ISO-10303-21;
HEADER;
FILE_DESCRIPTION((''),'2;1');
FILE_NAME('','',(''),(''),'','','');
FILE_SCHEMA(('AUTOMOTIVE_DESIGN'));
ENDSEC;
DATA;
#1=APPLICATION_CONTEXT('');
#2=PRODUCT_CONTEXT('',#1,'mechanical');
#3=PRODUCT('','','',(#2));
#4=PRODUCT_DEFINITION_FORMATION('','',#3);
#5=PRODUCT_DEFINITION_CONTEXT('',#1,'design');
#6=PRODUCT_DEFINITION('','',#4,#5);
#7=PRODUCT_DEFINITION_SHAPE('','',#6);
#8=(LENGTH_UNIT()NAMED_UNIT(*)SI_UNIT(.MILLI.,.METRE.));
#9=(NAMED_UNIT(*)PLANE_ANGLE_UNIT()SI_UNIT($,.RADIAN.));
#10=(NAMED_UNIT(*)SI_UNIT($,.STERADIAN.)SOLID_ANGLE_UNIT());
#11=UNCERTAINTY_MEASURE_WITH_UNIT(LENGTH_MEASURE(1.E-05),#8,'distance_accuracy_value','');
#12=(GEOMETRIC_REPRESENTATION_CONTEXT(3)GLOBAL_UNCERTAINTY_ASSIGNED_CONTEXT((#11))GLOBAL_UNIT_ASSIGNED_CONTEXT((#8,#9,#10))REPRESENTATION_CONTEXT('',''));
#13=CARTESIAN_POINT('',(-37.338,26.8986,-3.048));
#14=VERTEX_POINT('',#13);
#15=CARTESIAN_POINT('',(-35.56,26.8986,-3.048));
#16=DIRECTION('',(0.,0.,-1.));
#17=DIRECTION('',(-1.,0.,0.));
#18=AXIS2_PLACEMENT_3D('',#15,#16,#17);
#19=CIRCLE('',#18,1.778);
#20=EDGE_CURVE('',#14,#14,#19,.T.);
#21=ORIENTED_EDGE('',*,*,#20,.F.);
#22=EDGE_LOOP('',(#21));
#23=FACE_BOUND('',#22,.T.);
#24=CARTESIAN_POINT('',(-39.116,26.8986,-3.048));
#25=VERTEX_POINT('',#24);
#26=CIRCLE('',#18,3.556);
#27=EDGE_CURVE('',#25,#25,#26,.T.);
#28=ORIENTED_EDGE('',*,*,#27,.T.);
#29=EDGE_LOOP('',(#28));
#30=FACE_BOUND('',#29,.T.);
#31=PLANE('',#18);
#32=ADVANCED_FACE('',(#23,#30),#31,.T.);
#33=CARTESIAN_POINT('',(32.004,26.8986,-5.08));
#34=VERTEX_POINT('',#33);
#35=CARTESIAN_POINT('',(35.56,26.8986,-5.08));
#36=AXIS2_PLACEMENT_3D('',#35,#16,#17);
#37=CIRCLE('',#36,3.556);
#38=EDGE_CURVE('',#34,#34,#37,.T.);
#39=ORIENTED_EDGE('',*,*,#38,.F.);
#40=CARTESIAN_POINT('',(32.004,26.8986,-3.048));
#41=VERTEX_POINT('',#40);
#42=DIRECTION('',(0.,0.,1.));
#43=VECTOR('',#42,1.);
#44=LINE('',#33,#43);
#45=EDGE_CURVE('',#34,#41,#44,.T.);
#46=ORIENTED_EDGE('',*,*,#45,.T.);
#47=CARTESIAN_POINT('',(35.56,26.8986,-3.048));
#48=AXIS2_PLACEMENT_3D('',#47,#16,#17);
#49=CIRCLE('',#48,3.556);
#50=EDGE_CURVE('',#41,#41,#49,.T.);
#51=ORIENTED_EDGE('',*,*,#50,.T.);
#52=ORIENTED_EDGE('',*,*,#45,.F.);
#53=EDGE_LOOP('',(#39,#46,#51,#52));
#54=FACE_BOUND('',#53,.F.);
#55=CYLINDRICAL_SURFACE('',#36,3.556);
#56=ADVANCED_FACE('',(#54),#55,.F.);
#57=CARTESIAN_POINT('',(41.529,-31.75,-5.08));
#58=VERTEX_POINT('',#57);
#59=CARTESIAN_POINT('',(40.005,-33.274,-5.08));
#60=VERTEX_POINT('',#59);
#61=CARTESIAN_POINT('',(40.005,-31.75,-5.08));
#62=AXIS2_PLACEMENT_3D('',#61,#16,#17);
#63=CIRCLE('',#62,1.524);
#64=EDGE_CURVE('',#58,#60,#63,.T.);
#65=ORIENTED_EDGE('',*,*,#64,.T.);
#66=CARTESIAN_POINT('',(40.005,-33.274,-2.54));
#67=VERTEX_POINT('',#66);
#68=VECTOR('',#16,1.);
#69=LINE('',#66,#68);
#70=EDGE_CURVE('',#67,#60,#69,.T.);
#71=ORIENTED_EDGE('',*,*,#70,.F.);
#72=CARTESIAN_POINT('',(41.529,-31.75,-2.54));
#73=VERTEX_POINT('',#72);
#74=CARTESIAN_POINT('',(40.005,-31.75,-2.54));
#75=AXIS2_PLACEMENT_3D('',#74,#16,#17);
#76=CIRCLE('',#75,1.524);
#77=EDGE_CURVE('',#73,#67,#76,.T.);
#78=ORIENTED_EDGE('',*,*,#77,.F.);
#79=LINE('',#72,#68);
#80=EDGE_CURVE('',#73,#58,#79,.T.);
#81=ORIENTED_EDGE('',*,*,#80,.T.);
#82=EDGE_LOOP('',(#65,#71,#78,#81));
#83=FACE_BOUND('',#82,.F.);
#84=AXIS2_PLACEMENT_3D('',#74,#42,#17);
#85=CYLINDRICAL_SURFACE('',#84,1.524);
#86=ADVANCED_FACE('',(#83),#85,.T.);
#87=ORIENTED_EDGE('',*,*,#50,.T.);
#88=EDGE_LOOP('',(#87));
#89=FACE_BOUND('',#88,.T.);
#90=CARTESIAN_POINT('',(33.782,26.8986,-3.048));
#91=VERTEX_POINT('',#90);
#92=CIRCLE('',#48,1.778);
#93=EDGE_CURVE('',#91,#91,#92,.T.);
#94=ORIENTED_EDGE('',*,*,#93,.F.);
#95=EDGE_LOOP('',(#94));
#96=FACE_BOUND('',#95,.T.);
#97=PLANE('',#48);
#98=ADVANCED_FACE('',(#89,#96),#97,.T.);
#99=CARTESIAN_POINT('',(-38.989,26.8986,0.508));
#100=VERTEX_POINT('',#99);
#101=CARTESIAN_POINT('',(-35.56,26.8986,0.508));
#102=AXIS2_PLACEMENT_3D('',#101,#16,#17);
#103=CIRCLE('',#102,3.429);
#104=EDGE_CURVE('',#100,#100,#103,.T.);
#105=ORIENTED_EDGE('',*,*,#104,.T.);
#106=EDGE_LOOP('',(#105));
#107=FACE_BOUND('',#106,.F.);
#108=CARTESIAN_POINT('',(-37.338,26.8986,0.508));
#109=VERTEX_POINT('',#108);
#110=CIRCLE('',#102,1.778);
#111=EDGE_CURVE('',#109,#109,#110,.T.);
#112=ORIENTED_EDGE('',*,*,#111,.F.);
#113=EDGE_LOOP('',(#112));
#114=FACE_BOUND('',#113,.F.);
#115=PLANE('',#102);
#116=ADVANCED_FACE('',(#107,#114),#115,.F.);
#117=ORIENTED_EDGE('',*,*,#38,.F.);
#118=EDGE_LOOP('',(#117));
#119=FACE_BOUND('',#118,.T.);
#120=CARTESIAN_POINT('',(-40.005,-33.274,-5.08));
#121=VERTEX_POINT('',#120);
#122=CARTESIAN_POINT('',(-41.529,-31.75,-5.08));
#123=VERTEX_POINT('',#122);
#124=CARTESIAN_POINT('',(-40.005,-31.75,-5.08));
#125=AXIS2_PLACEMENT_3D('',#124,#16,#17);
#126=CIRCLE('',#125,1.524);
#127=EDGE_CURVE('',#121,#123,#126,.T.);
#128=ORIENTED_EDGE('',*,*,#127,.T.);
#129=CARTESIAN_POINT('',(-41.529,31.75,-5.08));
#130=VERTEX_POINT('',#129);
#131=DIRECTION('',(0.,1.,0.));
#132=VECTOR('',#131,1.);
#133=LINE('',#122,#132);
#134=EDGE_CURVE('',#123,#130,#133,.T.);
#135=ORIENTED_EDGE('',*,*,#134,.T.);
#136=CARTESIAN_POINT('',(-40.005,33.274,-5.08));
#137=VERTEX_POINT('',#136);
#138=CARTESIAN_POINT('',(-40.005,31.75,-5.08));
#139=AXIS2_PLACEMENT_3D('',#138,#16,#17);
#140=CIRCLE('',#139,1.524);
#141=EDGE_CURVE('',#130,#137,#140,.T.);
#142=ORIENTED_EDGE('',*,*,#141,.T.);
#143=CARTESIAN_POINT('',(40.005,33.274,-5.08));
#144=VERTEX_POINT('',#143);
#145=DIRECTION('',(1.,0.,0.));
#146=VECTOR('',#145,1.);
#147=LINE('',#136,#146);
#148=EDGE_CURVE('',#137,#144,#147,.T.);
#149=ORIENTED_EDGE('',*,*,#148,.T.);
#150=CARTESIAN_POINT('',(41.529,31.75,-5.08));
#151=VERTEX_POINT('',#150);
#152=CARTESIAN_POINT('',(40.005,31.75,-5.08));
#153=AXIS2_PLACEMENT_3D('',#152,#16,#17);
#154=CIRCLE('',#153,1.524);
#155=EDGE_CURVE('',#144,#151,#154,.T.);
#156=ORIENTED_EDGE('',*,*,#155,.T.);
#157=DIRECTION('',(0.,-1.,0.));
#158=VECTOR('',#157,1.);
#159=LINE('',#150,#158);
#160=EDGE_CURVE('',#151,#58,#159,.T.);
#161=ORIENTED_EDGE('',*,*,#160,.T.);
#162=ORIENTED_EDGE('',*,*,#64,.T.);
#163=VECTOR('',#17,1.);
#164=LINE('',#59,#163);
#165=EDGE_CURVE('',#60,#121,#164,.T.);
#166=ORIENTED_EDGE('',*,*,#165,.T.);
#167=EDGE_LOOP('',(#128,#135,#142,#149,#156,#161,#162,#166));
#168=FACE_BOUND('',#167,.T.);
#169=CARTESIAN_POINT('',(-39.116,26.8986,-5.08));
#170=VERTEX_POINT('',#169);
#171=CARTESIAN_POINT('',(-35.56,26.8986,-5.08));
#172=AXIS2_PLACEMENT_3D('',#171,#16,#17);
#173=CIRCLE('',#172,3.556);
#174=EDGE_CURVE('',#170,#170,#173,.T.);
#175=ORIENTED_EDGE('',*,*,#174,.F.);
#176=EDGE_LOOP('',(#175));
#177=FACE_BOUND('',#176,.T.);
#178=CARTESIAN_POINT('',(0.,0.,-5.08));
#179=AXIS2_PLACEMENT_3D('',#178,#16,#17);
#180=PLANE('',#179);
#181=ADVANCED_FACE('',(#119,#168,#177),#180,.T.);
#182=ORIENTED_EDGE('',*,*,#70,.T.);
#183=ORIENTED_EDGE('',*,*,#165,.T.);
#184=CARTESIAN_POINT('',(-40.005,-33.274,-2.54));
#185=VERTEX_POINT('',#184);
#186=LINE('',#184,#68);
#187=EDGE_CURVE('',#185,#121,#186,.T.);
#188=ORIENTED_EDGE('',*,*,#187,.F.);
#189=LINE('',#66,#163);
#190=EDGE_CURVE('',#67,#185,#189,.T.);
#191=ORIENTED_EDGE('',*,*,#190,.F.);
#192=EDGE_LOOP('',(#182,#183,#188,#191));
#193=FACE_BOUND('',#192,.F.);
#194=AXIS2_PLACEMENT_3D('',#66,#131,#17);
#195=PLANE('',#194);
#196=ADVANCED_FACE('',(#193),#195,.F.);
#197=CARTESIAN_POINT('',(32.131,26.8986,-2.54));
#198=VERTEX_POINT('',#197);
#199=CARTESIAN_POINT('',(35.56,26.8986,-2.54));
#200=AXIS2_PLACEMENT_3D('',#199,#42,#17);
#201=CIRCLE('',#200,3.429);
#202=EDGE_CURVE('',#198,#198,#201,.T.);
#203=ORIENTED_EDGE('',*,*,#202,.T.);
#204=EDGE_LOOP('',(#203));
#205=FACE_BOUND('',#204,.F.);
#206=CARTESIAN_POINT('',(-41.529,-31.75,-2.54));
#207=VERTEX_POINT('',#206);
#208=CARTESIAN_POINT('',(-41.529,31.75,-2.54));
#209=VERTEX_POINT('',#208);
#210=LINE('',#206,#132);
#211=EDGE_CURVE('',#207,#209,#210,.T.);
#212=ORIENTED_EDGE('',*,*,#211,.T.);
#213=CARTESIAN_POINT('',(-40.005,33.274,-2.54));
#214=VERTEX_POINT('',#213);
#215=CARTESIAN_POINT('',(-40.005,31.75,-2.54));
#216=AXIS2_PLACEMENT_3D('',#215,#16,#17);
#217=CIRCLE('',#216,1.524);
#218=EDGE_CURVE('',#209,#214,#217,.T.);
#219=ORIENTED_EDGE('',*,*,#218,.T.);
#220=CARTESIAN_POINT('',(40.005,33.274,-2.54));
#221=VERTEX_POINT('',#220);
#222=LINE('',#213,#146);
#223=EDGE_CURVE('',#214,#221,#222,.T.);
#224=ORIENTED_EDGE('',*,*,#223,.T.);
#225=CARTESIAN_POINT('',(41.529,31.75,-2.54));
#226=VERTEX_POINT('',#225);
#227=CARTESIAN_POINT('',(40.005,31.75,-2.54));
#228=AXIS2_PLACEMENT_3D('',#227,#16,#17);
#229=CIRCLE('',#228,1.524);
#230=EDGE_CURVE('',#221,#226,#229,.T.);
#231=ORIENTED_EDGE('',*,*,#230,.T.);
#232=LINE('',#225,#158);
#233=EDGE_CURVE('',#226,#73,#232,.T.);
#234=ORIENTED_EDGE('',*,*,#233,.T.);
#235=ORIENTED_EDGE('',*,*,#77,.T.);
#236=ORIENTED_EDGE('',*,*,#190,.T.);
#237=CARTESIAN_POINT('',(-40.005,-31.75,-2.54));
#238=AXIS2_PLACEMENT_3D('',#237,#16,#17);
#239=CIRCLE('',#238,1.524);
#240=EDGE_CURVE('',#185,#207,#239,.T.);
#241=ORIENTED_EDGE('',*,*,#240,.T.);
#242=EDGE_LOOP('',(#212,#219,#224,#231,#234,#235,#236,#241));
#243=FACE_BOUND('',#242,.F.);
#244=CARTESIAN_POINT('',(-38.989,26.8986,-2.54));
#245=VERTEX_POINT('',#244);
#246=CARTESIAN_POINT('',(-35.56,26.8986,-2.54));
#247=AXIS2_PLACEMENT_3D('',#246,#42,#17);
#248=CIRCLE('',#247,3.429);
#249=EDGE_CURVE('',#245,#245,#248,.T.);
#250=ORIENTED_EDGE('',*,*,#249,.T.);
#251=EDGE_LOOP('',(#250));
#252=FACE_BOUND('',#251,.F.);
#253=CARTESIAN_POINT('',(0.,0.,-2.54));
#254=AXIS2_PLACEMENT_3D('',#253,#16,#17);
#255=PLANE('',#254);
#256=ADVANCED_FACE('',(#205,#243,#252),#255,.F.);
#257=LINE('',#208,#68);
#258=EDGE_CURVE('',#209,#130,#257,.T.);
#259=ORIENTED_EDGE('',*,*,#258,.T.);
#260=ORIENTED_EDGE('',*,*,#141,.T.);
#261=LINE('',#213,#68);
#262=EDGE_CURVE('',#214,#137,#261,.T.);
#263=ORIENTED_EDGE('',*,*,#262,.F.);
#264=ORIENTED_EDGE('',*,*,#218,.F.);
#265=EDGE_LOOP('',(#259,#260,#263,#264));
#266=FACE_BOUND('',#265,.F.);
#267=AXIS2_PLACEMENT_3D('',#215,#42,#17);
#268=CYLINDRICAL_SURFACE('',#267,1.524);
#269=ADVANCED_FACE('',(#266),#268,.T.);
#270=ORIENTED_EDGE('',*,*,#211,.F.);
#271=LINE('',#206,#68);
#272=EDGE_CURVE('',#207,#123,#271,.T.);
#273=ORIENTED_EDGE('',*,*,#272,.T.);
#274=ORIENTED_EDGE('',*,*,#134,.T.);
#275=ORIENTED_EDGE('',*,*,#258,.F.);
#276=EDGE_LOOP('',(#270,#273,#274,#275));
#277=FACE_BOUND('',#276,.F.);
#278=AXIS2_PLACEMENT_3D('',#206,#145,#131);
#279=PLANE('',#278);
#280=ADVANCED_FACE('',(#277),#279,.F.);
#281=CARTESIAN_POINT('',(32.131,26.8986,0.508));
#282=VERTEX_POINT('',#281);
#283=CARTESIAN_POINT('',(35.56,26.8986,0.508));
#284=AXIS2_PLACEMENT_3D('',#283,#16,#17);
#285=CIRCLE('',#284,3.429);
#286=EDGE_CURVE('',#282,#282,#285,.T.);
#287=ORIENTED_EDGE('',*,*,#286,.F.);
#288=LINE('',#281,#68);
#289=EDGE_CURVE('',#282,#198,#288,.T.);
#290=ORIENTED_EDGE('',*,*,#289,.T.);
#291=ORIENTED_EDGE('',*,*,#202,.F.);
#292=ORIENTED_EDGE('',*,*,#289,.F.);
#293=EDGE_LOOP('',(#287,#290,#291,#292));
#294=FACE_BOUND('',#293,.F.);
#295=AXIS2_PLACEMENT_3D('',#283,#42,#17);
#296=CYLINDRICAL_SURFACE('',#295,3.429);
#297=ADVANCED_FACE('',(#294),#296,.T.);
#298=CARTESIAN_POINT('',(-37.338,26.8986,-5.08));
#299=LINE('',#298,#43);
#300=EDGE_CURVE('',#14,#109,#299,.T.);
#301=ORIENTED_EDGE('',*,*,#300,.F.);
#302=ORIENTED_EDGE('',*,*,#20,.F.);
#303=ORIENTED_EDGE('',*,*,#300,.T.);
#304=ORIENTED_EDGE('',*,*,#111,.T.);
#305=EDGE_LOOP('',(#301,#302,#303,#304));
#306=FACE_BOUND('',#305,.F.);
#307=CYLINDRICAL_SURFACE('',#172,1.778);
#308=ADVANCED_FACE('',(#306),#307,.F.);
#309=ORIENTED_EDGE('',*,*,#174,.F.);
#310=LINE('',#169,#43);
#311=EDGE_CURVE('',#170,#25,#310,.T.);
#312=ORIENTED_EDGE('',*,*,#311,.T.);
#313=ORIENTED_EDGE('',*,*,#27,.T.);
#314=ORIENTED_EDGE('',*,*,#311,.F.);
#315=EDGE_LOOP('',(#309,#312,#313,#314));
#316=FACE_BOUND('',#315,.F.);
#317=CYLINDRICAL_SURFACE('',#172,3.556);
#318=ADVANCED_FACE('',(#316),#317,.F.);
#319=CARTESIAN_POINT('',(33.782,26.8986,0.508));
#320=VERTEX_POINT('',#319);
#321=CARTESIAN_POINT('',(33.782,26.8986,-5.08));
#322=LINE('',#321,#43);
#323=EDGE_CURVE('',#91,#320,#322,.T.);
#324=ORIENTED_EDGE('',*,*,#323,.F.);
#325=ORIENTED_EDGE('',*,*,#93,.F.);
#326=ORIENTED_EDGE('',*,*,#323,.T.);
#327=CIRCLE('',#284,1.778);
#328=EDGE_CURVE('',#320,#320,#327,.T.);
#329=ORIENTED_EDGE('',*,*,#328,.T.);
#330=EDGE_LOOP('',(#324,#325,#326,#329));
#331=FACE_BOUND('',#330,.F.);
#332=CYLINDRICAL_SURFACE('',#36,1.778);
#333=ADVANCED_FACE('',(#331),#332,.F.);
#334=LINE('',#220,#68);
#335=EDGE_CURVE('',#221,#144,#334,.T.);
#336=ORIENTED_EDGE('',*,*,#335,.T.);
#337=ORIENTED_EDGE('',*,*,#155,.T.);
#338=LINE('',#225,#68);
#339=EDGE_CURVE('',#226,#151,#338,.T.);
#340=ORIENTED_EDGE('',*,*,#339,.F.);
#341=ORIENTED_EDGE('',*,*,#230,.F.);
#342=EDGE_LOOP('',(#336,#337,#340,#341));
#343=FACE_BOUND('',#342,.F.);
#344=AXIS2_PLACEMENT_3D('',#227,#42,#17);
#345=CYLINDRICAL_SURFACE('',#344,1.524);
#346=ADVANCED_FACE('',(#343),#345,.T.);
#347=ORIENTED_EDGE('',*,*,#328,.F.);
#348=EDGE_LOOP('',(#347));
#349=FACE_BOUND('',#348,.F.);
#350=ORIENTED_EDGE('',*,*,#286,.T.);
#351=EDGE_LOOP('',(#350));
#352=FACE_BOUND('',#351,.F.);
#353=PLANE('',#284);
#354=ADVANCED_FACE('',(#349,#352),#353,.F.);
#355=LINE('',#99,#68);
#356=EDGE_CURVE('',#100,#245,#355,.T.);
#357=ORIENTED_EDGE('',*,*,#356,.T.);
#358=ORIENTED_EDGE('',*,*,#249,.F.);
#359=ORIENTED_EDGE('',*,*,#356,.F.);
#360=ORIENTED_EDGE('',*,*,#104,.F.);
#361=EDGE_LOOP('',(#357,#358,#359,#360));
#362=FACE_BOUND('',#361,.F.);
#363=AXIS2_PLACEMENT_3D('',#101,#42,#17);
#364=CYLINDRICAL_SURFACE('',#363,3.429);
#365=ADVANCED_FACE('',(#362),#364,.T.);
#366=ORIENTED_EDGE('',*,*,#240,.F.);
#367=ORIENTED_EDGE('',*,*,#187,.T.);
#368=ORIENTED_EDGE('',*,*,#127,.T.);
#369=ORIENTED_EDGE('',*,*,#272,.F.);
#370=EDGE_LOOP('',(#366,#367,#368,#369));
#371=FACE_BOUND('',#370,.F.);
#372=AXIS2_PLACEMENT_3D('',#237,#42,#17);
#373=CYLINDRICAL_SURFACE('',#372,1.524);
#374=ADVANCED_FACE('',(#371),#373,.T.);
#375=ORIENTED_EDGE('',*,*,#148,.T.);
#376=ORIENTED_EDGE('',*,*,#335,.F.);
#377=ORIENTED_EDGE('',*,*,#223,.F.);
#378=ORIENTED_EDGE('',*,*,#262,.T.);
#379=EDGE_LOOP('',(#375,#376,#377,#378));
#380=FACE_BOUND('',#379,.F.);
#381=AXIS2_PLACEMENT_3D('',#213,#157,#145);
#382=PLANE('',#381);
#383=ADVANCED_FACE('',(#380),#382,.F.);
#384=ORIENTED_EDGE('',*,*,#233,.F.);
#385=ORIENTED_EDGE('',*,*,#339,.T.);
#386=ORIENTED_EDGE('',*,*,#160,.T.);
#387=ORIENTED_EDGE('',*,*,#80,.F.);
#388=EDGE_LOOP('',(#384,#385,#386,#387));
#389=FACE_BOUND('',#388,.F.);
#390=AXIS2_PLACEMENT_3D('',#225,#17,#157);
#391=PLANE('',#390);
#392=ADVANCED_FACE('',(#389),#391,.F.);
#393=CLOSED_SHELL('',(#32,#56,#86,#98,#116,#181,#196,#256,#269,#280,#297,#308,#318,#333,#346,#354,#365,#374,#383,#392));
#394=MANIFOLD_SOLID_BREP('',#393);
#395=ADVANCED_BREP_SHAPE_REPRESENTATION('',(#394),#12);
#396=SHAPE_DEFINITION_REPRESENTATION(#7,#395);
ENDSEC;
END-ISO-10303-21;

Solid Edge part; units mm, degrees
sketch "Sketch1" plane through (0, 2.54, -2.54) normal (0, 0, -1) x (-1, 0, 0)
  line L0 (-41.529, 29.21) -> (-41.529, -34.29)
  arc A0 (-41.529, -34.29) -> (-40.005, -35.814) centre (-40.005, -34.29) ccw
  line L1 (-40.005, -35.814) -> (40.005, -35.814)
  arc A1 (40.005, -35.814) -> (41.529, -34.29) centre (40.005, -34.29) ccw
  line L2 (41.529, -34.29) -> (41.529, 29.21)
  arc A2 (41.529, 29.21) -> (40.005, 30.734) centre (40.005, 29.21) ccw
  line L3 (40.005, 30.734) -> (-40.005, 30.734)
  arc A3 (-40.005, 30.734) -> (-41.529, 29.21) centre (-40.005, 29.21) ccw
  dimension "D1" = 0.254
extrude "Protrusion1" add sketch "Sketch1" along normal blind 2.54
sketch "Sketch2" plane through (36.703, 28.2448, 0.508) normal (0, 0, -1) x (-1, 0, 0)
  circle A0 centre (72.263, -1.3462) radius 3.429
  circle A1 centre (1.143, -1.3462) radius 3.429
  dimension "D1" = 6.858
extrude "ExtrudedProtrusion_2" add sketch "Sketch2" along normal up to next
sketch "Sketch3" plane through (0, 0, -5.08) normal (0, 0, -1) x (-1, 0, 0)
  circle A0 centre (-35.56, 26.8986) radius 1.778
  circle A1 centre (35.56, 26.8986) radius 1.778
  dimension "D1" = 3.556
extrude "Cutout1" cut sketch "Sketch3" against normal up to next
sketch "Sketch4" plane through (0, 0, -5.08) normal (0, 0, -1) x (-1, 0, 0)
  circle A0 centre (-35.56, 26.8986) radius 3.556
  circle A1 centre (35.56, 26.8986) radius 3.556
  dimension "D1" = 7.112
extrude "ExtrudedCutout_2" cut sketch "Sketch4" against normal blind 2.032
fillet "Round_1" [suppressed]
